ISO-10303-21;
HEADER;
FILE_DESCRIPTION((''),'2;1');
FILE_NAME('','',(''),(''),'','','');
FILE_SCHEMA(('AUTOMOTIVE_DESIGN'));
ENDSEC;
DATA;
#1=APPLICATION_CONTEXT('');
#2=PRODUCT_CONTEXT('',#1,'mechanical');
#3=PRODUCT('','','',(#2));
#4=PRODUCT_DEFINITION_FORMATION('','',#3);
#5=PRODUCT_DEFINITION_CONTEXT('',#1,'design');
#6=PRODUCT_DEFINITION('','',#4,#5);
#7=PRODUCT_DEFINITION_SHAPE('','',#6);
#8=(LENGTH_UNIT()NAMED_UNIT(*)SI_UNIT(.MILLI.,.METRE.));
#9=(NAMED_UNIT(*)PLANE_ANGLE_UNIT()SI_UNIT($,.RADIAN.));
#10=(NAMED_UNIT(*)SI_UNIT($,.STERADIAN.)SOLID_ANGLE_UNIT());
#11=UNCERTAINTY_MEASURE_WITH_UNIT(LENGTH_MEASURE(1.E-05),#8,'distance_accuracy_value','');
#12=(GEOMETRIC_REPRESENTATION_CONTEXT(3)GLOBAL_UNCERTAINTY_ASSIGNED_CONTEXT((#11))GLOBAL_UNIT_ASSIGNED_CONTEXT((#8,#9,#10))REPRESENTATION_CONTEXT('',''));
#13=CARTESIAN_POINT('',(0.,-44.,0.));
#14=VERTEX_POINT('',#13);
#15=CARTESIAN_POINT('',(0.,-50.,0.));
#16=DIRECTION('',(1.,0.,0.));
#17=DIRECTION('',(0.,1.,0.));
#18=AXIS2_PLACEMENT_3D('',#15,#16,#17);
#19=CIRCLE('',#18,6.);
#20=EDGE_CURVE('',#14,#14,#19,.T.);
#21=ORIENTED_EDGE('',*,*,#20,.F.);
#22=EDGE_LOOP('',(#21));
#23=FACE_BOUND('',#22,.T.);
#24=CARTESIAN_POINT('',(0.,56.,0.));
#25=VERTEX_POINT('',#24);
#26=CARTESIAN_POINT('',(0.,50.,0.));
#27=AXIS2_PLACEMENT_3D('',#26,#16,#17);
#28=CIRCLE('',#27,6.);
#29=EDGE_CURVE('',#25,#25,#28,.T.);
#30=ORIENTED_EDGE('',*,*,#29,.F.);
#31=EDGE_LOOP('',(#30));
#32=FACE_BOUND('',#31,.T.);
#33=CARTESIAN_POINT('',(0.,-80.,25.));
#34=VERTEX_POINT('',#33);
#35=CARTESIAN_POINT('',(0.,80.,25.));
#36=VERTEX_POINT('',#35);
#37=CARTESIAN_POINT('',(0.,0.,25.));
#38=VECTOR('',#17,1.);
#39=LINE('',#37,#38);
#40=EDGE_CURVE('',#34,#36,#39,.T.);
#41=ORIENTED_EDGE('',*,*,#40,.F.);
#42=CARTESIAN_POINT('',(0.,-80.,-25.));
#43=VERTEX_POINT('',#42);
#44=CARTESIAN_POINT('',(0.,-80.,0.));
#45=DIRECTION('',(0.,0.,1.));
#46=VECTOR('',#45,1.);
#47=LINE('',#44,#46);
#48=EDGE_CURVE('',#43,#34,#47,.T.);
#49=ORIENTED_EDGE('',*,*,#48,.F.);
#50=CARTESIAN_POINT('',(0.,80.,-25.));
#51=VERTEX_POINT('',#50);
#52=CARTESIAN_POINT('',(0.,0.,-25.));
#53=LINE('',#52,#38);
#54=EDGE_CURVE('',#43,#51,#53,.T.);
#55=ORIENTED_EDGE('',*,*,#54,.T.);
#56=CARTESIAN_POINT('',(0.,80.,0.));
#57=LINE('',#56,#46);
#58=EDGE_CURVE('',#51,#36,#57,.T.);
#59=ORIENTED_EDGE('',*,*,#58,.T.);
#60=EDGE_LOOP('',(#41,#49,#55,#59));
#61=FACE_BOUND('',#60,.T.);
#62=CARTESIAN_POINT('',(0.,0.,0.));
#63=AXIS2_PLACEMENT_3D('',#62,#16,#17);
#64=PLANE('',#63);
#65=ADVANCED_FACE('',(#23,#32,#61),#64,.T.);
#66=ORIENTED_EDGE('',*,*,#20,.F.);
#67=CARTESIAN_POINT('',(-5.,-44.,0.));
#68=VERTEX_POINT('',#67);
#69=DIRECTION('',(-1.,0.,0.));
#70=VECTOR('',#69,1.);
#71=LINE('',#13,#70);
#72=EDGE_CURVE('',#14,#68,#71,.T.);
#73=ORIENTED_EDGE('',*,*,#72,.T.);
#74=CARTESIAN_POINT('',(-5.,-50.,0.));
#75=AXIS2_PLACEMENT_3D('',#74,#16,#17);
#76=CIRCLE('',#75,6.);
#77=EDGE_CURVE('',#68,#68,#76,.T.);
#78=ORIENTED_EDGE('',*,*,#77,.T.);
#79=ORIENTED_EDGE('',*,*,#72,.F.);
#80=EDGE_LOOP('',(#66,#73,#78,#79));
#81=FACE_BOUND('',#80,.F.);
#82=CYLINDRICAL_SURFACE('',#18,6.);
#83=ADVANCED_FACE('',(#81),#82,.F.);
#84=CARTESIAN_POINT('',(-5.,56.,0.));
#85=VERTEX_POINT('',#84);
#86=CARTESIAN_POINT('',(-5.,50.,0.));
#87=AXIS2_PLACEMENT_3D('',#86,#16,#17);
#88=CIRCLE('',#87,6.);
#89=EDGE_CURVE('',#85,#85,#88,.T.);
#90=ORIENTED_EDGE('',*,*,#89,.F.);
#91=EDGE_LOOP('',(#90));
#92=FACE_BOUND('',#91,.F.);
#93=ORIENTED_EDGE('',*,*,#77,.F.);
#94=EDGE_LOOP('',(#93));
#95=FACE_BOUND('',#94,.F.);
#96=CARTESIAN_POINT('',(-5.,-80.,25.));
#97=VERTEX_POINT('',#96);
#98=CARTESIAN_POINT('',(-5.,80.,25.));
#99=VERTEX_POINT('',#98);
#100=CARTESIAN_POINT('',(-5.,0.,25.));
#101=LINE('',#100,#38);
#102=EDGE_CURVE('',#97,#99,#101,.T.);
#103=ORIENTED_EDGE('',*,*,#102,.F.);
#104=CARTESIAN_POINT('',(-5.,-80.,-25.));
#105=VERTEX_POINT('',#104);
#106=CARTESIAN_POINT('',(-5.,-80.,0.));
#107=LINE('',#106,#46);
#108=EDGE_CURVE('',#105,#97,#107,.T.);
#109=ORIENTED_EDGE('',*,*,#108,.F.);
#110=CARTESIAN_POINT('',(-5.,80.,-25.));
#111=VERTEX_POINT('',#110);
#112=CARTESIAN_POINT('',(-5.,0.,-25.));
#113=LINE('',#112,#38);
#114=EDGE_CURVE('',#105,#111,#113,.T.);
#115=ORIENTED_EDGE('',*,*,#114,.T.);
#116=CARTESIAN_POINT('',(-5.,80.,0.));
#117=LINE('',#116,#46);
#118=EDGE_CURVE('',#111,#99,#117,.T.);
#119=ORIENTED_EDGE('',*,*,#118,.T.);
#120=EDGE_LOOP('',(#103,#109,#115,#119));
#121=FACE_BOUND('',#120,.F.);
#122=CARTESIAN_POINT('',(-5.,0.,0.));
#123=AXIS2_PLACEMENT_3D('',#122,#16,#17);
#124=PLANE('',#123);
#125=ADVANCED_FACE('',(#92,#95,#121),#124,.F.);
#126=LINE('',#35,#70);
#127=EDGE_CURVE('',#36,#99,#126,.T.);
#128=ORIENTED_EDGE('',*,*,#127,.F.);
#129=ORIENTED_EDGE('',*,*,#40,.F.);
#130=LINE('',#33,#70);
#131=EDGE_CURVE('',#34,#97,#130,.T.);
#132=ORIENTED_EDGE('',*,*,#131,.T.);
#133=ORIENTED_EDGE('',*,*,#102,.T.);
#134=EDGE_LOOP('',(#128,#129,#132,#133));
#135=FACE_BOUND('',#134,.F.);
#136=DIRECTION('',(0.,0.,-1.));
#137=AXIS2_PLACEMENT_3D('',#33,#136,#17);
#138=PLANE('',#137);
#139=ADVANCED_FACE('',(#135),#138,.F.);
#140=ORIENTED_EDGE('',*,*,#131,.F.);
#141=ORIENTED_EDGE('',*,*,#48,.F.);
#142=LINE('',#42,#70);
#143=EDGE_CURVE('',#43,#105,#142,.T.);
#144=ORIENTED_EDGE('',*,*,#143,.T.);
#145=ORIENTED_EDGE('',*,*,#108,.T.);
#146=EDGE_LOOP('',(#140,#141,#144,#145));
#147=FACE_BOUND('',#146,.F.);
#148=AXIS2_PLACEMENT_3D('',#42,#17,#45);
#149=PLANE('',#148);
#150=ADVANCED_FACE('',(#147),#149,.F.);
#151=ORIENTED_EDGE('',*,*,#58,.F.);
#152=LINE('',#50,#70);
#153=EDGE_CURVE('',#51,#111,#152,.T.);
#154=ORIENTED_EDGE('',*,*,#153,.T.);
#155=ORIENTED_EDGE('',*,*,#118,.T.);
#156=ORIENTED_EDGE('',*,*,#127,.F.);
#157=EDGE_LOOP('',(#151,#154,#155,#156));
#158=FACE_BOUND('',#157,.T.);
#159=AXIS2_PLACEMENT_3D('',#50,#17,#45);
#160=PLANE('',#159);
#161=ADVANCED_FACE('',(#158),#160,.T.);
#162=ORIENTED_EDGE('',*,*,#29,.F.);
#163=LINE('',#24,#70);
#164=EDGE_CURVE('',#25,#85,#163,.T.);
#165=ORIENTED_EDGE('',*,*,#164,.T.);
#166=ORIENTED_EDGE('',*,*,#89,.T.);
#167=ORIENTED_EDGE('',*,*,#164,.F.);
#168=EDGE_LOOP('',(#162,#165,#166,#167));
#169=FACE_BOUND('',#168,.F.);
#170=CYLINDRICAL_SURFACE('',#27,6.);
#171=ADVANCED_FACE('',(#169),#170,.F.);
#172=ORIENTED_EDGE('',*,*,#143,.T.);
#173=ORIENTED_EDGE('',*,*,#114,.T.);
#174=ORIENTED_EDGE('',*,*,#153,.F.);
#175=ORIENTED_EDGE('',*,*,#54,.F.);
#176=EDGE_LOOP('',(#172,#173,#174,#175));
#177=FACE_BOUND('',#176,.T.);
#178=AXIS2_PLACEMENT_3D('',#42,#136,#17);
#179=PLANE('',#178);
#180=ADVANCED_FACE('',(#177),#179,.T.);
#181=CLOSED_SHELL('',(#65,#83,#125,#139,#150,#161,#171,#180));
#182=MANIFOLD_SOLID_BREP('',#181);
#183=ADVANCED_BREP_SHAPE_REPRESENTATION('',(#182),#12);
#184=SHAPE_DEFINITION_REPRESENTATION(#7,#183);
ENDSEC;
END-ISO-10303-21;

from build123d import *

# Parameters (mm, degrees)
F0_W     = 160
F0_H     = 50
F0_R     = 6
F1_DEPTH = 5


with BuildPart() as f1:
    # F0 (on Right) → F1 (new body)
    with BuildSketch(Plane.YZ):
        Rectangle(F0_W, F0_H)
        with Locations((-50, 0)):
            Circle(F0_R, mode=Mode.SUBTRACT)
        with Locations((50, 0)):
            Circle(F0_R, mode=Mode.SUBTRACT)
    extrude(amount=-F1_DEPTH)


solid = f1.part
